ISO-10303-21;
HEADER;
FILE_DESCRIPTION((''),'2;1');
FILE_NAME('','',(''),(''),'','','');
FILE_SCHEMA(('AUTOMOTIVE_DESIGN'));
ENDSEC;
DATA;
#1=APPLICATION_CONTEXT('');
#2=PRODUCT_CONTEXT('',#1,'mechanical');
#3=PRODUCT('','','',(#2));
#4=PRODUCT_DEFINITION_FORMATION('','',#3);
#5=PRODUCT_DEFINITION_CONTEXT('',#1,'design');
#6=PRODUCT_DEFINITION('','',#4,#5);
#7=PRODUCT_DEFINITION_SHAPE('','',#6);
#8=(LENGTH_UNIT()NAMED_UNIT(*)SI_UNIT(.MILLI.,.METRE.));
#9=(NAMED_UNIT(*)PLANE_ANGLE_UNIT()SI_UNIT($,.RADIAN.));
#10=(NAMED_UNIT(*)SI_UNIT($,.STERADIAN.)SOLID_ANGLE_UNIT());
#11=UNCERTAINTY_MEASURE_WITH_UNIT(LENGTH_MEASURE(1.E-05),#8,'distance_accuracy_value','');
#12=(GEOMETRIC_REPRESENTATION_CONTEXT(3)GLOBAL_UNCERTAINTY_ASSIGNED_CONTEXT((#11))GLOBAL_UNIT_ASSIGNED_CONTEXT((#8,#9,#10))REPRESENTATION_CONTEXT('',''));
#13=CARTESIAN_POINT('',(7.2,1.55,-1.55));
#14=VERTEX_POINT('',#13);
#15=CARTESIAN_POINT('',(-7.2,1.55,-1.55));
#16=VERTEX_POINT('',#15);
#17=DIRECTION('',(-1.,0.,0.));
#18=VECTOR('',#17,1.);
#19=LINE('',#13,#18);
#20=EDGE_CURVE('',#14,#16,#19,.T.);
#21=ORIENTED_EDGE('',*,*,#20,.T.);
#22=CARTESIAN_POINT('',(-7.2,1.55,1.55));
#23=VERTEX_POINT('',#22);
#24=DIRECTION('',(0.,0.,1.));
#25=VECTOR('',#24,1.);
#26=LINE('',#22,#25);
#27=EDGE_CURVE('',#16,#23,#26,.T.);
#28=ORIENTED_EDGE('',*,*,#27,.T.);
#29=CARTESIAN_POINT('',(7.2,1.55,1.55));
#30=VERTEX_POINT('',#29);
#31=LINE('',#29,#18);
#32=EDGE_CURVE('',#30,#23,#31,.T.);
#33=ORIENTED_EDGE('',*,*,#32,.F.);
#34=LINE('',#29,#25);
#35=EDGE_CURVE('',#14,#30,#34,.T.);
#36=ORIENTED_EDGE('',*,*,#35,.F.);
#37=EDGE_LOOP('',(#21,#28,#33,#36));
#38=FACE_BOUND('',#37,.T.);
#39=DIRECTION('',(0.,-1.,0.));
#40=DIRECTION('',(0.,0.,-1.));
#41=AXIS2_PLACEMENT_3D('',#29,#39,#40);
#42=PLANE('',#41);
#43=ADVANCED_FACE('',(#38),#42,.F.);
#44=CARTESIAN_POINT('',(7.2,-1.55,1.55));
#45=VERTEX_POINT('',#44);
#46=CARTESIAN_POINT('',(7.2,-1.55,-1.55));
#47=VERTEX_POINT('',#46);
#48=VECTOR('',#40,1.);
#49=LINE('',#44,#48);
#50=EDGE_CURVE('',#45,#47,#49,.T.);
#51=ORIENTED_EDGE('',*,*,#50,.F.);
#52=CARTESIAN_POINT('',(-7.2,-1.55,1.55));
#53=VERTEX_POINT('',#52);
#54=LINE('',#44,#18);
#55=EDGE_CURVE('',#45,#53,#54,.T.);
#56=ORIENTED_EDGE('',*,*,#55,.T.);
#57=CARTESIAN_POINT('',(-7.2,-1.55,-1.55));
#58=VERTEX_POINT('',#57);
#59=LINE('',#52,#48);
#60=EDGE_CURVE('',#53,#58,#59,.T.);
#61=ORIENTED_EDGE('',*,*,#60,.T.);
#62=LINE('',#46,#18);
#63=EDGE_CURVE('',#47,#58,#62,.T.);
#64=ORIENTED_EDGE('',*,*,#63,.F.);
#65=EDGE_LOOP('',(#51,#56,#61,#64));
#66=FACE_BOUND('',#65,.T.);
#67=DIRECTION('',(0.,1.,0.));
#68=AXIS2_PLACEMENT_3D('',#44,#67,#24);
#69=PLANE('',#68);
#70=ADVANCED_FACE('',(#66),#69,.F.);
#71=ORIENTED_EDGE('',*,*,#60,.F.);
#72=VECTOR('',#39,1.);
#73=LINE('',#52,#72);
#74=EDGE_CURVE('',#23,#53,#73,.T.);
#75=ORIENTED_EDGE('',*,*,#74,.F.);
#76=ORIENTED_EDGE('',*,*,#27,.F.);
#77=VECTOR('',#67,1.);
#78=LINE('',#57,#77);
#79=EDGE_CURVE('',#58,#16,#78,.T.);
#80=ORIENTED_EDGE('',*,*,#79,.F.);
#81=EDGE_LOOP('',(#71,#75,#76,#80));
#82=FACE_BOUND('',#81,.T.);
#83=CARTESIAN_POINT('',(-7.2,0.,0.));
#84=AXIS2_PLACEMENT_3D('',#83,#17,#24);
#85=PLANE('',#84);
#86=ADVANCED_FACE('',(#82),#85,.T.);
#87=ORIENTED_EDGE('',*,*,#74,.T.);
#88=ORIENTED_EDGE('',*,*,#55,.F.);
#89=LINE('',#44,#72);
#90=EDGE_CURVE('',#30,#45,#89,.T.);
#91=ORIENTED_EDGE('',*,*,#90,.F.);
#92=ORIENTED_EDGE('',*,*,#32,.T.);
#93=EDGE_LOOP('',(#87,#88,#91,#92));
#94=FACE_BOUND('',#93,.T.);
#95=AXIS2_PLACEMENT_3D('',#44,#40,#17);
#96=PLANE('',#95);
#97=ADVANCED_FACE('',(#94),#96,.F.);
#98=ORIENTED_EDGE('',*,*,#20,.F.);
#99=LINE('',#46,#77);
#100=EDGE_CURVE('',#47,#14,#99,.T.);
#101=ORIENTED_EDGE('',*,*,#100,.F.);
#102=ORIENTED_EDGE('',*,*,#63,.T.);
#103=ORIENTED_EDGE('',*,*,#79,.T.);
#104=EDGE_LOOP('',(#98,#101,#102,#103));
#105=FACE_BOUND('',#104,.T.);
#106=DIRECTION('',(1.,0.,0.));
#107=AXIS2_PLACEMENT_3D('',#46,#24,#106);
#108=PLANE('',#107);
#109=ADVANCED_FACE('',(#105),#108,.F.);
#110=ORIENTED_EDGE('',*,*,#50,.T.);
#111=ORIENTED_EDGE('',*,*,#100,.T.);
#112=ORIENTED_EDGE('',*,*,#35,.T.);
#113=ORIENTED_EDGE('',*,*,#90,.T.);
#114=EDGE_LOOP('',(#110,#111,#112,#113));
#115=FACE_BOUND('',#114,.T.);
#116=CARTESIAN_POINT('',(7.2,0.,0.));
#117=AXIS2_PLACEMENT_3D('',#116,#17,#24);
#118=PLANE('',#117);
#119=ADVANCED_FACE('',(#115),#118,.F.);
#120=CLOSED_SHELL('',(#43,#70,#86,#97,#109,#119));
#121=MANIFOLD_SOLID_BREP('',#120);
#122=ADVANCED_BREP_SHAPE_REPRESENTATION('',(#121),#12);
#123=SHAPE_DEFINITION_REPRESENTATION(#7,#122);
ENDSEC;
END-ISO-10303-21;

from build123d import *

# Parameters (mm, degrees)
SKETCH1_W           = 3.1
SKETCH1_H           = 3.1
BOSS_EXTRUDE1_DEPTH = 7.2


with BuildPart() as part:
    # Sketch1 → Boss-Extrude1 (new body, symmetric)
    with BuildSketch(Plane(origin=(0, 0, 0), x_dir=(0, 0, -1), z_dir=(1, 0, 0))):
        Rectangle(SKETCH1_W, SKETCH1_H)
    extrude(amount=BOSS_EXTRUDE1_DEPTH, both=True)


solid = part.part
